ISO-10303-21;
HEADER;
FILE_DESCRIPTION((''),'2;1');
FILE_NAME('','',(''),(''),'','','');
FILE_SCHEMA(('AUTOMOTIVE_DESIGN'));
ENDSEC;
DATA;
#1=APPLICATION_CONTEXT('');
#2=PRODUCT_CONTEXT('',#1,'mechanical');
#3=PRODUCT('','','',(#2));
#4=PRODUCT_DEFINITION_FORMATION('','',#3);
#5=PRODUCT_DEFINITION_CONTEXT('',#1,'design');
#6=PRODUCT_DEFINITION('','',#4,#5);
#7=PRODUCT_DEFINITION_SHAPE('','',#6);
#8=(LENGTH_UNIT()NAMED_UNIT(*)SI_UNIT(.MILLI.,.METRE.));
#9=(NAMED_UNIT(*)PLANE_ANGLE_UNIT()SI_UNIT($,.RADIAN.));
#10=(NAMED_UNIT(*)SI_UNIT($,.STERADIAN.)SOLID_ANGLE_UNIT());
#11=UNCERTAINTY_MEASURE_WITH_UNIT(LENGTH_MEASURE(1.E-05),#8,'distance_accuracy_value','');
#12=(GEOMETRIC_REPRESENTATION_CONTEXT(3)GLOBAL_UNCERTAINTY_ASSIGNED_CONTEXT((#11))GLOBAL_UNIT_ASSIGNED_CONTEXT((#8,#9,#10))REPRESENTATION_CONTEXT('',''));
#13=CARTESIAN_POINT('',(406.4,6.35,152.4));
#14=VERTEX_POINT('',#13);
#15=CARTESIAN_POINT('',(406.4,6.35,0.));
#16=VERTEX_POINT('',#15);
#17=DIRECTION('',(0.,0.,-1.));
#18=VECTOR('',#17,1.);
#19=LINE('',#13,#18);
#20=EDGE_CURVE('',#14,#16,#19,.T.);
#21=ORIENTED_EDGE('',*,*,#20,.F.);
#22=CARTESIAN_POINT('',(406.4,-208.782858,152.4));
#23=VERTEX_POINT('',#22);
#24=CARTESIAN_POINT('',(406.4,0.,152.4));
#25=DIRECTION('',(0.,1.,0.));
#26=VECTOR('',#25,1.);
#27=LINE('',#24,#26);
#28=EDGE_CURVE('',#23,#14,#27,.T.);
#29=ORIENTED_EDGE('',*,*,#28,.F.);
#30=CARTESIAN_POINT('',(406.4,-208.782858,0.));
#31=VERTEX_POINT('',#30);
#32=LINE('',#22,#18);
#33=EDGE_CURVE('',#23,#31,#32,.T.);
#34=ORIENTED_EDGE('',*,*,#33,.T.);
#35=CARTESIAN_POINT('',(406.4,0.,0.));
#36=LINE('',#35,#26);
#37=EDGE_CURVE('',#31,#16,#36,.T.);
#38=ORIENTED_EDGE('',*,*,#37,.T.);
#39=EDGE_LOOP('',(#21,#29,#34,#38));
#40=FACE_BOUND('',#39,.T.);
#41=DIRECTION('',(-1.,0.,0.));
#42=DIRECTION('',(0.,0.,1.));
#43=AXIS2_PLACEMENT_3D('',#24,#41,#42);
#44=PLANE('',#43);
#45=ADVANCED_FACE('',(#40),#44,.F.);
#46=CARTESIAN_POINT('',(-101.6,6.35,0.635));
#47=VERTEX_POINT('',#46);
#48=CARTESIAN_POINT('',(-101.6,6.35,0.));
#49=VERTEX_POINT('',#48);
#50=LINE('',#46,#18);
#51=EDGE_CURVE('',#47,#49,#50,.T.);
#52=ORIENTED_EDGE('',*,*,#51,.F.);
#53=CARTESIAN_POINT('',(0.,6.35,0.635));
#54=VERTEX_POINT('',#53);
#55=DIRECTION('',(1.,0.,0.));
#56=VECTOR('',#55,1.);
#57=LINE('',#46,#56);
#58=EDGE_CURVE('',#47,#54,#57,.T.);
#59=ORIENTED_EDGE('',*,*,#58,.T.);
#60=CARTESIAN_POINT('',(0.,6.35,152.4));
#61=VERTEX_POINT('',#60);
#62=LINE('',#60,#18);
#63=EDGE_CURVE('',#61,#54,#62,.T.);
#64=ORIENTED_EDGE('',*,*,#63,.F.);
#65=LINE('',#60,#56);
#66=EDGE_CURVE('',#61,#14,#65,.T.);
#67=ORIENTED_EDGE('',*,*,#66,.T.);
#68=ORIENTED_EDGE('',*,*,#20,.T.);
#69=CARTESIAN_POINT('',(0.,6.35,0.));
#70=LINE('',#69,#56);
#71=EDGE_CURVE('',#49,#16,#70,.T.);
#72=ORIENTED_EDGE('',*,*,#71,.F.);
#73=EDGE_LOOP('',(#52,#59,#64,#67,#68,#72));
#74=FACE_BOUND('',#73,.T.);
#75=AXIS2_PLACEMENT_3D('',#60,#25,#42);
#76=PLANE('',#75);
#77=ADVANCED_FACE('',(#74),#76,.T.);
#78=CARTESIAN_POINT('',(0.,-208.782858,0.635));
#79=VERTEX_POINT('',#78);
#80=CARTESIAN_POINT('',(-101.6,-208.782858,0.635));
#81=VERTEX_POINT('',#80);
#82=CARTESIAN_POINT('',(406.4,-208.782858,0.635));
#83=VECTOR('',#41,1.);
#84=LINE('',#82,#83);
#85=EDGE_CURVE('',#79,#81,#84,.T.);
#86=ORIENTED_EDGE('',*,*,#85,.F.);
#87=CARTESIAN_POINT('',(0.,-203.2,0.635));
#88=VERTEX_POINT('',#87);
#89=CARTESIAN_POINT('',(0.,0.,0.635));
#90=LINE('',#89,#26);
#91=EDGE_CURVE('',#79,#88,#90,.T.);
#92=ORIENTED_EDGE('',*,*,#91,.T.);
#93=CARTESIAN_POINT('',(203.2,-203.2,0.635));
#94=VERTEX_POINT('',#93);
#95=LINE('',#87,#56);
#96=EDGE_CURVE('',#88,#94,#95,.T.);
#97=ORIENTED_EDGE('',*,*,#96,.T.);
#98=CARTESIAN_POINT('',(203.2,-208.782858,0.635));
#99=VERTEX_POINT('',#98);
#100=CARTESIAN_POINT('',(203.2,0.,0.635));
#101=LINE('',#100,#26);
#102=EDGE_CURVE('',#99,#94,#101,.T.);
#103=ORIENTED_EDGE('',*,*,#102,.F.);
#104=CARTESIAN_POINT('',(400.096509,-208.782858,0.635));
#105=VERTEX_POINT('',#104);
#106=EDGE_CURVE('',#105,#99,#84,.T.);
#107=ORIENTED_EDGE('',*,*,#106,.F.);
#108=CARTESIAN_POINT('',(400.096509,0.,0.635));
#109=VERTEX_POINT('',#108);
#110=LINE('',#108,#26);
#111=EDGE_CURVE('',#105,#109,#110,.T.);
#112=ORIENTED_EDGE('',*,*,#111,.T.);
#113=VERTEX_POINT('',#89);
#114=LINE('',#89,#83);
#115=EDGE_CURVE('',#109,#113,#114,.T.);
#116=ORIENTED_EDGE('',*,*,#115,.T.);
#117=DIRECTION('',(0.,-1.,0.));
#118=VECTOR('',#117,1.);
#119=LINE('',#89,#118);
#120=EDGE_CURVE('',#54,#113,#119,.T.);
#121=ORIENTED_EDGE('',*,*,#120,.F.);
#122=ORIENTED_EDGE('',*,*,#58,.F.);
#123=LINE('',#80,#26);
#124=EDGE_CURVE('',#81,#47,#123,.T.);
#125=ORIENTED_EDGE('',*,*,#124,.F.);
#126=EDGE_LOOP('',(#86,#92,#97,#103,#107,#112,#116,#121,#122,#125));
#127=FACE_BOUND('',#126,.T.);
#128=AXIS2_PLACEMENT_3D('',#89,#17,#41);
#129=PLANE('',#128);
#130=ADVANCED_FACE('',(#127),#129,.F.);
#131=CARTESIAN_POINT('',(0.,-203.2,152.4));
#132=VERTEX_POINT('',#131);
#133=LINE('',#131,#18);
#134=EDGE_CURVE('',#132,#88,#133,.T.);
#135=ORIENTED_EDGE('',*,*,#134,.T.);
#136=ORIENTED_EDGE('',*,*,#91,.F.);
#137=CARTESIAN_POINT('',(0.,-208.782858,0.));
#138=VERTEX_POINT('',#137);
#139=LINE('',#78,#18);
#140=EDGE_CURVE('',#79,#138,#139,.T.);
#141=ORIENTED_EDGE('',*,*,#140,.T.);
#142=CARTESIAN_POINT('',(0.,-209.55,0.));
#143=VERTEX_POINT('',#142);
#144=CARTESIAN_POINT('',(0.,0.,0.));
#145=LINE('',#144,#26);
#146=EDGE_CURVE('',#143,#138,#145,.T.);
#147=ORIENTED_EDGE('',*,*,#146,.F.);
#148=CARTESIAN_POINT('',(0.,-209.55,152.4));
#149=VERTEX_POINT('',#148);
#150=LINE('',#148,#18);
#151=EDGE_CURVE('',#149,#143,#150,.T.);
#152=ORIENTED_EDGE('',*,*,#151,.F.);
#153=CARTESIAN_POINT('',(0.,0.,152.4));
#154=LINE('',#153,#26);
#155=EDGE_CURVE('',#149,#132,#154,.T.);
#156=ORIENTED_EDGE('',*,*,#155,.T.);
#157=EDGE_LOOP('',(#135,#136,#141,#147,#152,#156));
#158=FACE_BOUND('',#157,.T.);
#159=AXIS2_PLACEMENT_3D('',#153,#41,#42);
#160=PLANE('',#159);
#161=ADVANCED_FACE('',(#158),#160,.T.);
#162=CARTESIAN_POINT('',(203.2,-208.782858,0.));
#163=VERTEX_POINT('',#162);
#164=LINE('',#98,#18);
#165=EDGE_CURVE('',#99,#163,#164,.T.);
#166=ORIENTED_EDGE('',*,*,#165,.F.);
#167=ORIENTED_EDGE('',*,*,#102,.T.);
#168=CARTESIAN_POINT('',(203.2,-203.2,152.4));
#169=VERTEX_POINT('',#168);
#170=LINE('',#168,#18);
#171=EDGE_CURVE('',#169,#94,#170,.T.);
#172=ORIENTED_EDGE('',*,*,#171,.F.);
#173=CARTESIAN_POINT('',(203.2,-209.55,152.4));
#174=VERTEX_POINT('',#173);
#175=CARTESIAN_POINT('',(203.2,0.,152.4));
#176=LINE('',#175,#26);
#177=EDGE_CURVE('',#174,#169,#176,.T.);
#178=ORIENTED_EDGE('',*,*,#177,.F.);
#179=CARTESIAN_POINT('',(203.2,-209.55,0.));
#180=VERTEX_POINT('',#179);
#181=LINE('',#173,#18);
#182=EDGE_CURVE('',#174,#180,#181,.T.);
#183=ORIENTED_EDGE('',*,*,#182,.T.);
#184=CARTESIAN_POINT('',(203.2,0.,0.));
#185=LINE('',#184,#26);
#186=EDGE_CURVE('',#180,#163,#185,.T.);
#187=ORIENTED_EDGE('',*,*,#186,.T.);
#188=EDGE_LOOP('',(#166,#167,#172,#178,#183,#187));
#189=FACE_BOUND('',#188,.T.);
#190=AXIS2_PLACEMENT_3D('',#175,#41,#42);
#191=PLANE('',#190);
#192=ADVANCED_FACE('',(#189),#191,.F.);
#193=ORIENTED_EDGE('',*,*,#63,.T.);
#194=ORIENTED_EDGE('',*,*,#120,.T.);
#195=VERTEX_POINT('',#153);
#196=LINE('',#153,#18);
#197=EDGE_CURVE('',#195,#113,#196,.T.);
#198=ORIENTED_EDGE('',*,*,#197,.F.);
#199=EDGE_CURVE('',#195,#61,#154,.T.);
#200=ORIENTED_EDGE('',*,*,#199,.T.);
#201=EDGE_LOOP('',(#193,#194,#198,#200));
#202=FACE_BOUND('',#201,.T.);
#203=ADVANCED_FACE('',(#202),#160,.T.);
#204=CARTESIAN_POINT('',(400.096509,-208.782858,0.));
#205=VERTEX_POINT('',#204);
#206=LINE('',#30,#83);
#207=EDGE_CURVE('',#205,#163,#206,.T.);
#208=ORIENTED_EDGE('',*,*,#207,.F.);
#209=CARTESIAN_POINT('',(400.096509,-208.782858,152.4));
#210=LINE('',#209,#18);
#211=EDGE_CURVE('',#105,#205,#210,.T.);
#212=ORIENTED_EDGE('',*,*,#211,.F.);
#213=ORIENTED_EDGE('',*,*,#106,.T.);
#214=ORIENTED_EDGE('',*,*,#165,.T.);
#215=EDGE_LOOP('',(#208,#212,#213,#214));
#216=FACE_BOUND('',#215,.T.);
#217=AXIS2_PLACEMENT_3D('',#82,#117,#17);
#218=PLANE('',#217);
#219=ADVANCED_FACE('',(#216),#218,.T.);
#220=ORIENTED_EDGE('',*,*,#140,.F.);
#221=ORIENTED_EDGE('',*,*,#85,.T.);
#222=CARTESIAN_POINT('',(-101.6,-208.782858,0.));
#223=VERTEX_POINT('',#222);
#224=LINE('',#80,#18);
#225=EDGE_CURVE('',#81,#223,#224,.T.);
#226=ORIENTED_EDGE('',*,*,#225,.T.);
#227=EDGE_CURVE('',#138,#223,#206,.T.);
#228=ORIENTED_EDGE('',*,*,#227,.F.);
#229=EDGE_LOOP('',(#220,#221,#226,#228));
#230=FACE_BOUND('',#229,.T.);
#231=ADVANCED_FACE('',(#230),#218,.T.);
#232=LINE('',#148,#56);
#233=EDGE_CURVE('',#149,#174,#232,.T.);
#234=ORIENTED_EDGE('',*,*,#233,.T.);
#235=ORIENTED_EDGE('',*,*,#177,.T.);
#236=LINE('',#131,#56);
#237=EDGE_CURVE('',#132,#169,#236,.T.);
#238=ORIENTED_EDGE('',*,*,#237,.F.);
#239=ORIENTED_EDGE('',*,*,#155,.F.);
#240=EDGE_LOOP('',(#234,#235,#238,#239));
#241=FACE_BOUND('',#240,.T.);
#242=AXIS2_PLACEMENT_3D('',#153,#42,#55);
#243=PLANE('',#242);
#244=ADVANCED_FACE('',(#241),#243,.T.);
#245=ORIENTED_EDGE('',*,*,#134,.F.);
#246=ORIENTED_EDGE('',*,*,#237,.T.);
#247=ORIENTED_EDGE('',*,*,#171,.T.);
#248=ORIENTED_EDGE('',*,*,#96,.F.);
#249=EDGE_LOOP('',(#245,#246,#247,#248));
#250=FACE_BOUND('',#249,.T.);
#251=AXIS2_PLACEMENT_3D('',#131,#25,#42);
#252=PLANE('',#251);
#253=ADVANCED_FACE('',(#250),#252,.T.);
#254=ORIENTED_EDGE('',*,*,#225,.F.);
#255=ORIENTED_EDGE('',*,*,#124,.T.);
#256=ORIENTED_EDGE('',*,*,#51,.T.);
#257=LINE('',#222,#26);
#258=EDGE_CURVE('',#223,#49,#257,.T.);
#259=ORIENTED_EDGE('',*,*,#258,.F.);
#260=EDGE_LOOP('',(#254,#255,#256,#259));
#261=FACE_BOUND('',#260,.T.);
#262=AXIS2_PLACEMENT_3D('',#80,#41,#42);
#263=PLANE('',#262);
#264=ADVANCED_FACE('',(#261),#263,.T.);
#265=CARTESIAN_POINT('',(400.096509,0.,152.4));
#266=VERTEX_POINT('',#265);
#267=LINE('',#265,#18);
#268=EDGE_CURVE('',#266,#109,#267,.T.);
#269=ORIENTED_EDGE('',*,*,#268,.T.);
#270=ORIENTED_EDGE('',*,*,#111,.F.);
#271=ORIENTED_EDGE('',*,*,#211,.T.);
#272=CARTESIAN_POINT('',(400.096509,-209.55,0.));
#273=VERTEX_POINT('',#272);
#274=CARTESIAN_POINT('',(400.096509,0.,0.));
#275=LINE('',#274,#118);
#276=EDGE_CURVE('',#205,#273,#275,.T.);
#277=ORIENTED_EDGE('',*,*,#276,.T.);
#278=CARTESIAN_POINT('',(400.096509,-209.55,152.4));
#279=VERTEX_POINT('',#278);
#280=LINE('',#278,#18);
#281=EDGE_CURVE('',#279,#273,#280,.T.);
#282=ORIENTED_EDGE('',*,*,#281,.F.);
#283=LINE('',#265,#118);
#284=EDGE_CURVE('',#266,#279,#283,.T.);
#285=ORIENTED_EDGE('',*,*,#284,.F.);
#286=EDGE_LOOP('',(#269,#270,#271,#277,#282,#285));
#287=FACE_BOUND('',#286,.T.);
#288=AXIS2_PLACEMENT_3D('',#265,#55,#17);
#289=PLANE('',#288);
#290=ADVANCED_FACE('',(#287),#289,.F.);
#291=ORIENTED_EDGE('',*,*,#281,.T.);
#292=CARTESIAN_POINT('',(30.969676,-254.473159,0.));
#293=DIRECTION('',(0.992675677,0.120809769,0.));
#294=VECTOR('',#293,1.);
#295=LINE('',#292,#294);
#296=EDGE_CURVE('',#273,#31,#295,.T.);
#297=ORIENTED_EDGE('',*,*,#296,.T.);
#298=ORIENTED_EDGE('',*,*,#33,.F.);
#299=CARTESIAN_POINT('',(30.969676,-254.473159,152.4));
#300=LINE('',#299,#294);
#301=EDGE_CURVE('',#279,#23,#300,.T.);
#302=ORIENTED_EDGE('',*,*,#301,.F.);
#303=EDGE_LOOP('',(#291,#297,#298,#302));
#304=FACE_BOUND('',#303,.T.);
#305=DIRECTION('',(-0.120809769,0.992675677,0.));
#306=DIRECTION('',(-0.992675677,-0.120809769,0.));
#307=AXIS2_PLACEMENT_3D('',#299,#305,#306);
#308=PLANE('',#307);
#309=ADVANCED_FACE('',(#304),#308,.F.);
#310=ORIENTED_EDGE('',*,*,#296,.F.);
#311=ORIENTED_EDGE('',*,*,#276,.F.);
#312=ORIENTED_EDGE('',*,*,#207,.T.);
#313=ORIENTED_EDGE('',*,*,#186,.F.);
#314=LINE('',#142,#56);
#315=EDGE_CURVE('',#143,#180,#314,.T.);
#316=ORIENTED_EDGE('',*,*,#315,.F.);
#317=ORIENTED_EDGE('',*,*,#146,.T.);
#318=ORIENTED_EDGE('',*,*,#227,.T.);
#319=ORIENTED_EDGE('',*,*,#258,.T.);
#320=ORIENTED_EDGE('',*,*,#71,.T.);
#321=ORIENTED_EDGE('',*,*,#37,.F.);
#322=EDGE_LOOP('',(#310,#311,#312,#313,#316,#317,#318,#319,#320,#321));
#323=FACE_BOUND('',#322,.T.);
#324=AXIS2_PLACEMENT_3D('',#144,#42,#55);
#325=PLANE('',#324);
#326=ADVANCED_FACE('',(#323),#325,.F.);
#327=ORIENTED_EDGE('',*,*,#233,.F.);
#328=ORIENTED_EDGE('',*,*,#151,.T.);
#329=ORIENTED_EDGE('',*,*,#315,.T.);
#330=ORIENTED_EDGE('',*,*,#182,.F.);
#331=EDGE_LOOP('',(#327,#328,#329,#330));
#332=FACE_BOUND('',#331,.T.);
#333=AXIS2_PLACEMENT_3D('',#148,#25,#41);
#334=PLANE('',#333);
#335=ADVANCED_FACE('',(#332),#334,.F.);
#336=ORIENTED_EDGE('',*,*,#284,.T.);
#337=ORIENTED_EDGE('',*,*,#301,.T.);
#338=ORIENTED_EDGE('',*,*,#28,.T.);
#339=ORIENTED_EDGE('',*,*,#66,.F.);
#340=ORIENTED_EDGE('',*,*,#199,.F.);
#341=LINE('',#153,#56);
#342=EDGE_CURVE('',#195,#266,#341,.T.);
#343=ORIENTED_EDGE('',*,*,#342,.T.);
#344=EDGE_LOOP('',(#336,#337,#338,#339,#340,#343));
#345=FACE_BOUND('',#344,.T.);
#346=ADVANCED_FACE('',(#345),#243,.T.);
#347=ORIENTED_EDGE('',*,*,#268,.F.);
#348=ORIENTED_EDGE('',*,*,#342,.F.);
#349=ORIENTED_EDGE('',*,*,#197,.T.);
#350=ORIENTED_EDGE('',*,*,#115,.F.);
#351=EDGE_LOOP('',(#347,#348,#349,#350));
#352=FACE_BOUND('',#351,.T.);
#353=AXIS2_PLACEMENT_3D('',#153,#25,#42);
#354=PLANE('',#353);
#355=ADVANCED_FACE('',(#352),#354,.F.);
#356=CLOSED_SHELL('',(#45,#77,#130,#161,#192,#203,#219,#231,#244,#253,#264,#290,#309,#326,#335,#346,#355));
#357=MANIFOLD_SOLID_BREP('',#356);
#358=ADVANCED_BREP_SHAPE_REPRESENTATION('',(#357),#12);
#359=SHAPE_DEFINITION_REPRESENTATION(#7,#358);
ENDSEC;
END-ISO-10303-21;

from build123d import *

# Parameters (mm, degrees)
BOSS_EXTRUDE1_DEPTH   = 152.4
SKETCH1_W             = 203.2
SKETCH1_H             = 6.35
BOSS_EXTRUDE1_2_DEPTH = 152.4
SKETCH3_W             = 508
SKETCH3_H             = 215.132857965
BOSS_EXTRUDE2_DEPTH   = 0.635


with BuildPart() as part:
    # Sketch1 → Boss-Extrude1 (new body)
    with BuildSketch(Plane.XY):
        Polygon((400.096509451, -209.55), (406.4, -208.782857965), (406.4, 6.35), (0, 6.35), (0, 0), (400.096509451, 0), align=None)
    extrude(amount=BOSS_EXTRUDE1_DEPTH)



with BuildPart() as body_2:
    # Sketch1 → Boss-Extrude1 2 (new body)
    with BuildSketch(Plane.XY):
        with Locations((101.6, -206.375)):
            Rectangle(SKETCH1_W, SKETCH1_H)
    extrude(amount=BOSS_EXTRUDE1_2_DEPTH)


with BuildPart() as part_1:
    add(part.part)

    add(body_2.part)  # Boss-Extrude2 merges body 2
    # Sketch3 → Boss-Extrude2 (add)
    with BuildSketch(Plane(origin=(0, 0, 0), x_dir=(-1, 0, 0), z_dir=(0, 0, -1))):
        with Locations((-152.4, -101.216428983)):
            Rectangle(SKETCH3_W, SKETCH3_H)
    extrude(amount=-BOSS_EXTRUDE2_DEPTH)


solid = part_1.part
